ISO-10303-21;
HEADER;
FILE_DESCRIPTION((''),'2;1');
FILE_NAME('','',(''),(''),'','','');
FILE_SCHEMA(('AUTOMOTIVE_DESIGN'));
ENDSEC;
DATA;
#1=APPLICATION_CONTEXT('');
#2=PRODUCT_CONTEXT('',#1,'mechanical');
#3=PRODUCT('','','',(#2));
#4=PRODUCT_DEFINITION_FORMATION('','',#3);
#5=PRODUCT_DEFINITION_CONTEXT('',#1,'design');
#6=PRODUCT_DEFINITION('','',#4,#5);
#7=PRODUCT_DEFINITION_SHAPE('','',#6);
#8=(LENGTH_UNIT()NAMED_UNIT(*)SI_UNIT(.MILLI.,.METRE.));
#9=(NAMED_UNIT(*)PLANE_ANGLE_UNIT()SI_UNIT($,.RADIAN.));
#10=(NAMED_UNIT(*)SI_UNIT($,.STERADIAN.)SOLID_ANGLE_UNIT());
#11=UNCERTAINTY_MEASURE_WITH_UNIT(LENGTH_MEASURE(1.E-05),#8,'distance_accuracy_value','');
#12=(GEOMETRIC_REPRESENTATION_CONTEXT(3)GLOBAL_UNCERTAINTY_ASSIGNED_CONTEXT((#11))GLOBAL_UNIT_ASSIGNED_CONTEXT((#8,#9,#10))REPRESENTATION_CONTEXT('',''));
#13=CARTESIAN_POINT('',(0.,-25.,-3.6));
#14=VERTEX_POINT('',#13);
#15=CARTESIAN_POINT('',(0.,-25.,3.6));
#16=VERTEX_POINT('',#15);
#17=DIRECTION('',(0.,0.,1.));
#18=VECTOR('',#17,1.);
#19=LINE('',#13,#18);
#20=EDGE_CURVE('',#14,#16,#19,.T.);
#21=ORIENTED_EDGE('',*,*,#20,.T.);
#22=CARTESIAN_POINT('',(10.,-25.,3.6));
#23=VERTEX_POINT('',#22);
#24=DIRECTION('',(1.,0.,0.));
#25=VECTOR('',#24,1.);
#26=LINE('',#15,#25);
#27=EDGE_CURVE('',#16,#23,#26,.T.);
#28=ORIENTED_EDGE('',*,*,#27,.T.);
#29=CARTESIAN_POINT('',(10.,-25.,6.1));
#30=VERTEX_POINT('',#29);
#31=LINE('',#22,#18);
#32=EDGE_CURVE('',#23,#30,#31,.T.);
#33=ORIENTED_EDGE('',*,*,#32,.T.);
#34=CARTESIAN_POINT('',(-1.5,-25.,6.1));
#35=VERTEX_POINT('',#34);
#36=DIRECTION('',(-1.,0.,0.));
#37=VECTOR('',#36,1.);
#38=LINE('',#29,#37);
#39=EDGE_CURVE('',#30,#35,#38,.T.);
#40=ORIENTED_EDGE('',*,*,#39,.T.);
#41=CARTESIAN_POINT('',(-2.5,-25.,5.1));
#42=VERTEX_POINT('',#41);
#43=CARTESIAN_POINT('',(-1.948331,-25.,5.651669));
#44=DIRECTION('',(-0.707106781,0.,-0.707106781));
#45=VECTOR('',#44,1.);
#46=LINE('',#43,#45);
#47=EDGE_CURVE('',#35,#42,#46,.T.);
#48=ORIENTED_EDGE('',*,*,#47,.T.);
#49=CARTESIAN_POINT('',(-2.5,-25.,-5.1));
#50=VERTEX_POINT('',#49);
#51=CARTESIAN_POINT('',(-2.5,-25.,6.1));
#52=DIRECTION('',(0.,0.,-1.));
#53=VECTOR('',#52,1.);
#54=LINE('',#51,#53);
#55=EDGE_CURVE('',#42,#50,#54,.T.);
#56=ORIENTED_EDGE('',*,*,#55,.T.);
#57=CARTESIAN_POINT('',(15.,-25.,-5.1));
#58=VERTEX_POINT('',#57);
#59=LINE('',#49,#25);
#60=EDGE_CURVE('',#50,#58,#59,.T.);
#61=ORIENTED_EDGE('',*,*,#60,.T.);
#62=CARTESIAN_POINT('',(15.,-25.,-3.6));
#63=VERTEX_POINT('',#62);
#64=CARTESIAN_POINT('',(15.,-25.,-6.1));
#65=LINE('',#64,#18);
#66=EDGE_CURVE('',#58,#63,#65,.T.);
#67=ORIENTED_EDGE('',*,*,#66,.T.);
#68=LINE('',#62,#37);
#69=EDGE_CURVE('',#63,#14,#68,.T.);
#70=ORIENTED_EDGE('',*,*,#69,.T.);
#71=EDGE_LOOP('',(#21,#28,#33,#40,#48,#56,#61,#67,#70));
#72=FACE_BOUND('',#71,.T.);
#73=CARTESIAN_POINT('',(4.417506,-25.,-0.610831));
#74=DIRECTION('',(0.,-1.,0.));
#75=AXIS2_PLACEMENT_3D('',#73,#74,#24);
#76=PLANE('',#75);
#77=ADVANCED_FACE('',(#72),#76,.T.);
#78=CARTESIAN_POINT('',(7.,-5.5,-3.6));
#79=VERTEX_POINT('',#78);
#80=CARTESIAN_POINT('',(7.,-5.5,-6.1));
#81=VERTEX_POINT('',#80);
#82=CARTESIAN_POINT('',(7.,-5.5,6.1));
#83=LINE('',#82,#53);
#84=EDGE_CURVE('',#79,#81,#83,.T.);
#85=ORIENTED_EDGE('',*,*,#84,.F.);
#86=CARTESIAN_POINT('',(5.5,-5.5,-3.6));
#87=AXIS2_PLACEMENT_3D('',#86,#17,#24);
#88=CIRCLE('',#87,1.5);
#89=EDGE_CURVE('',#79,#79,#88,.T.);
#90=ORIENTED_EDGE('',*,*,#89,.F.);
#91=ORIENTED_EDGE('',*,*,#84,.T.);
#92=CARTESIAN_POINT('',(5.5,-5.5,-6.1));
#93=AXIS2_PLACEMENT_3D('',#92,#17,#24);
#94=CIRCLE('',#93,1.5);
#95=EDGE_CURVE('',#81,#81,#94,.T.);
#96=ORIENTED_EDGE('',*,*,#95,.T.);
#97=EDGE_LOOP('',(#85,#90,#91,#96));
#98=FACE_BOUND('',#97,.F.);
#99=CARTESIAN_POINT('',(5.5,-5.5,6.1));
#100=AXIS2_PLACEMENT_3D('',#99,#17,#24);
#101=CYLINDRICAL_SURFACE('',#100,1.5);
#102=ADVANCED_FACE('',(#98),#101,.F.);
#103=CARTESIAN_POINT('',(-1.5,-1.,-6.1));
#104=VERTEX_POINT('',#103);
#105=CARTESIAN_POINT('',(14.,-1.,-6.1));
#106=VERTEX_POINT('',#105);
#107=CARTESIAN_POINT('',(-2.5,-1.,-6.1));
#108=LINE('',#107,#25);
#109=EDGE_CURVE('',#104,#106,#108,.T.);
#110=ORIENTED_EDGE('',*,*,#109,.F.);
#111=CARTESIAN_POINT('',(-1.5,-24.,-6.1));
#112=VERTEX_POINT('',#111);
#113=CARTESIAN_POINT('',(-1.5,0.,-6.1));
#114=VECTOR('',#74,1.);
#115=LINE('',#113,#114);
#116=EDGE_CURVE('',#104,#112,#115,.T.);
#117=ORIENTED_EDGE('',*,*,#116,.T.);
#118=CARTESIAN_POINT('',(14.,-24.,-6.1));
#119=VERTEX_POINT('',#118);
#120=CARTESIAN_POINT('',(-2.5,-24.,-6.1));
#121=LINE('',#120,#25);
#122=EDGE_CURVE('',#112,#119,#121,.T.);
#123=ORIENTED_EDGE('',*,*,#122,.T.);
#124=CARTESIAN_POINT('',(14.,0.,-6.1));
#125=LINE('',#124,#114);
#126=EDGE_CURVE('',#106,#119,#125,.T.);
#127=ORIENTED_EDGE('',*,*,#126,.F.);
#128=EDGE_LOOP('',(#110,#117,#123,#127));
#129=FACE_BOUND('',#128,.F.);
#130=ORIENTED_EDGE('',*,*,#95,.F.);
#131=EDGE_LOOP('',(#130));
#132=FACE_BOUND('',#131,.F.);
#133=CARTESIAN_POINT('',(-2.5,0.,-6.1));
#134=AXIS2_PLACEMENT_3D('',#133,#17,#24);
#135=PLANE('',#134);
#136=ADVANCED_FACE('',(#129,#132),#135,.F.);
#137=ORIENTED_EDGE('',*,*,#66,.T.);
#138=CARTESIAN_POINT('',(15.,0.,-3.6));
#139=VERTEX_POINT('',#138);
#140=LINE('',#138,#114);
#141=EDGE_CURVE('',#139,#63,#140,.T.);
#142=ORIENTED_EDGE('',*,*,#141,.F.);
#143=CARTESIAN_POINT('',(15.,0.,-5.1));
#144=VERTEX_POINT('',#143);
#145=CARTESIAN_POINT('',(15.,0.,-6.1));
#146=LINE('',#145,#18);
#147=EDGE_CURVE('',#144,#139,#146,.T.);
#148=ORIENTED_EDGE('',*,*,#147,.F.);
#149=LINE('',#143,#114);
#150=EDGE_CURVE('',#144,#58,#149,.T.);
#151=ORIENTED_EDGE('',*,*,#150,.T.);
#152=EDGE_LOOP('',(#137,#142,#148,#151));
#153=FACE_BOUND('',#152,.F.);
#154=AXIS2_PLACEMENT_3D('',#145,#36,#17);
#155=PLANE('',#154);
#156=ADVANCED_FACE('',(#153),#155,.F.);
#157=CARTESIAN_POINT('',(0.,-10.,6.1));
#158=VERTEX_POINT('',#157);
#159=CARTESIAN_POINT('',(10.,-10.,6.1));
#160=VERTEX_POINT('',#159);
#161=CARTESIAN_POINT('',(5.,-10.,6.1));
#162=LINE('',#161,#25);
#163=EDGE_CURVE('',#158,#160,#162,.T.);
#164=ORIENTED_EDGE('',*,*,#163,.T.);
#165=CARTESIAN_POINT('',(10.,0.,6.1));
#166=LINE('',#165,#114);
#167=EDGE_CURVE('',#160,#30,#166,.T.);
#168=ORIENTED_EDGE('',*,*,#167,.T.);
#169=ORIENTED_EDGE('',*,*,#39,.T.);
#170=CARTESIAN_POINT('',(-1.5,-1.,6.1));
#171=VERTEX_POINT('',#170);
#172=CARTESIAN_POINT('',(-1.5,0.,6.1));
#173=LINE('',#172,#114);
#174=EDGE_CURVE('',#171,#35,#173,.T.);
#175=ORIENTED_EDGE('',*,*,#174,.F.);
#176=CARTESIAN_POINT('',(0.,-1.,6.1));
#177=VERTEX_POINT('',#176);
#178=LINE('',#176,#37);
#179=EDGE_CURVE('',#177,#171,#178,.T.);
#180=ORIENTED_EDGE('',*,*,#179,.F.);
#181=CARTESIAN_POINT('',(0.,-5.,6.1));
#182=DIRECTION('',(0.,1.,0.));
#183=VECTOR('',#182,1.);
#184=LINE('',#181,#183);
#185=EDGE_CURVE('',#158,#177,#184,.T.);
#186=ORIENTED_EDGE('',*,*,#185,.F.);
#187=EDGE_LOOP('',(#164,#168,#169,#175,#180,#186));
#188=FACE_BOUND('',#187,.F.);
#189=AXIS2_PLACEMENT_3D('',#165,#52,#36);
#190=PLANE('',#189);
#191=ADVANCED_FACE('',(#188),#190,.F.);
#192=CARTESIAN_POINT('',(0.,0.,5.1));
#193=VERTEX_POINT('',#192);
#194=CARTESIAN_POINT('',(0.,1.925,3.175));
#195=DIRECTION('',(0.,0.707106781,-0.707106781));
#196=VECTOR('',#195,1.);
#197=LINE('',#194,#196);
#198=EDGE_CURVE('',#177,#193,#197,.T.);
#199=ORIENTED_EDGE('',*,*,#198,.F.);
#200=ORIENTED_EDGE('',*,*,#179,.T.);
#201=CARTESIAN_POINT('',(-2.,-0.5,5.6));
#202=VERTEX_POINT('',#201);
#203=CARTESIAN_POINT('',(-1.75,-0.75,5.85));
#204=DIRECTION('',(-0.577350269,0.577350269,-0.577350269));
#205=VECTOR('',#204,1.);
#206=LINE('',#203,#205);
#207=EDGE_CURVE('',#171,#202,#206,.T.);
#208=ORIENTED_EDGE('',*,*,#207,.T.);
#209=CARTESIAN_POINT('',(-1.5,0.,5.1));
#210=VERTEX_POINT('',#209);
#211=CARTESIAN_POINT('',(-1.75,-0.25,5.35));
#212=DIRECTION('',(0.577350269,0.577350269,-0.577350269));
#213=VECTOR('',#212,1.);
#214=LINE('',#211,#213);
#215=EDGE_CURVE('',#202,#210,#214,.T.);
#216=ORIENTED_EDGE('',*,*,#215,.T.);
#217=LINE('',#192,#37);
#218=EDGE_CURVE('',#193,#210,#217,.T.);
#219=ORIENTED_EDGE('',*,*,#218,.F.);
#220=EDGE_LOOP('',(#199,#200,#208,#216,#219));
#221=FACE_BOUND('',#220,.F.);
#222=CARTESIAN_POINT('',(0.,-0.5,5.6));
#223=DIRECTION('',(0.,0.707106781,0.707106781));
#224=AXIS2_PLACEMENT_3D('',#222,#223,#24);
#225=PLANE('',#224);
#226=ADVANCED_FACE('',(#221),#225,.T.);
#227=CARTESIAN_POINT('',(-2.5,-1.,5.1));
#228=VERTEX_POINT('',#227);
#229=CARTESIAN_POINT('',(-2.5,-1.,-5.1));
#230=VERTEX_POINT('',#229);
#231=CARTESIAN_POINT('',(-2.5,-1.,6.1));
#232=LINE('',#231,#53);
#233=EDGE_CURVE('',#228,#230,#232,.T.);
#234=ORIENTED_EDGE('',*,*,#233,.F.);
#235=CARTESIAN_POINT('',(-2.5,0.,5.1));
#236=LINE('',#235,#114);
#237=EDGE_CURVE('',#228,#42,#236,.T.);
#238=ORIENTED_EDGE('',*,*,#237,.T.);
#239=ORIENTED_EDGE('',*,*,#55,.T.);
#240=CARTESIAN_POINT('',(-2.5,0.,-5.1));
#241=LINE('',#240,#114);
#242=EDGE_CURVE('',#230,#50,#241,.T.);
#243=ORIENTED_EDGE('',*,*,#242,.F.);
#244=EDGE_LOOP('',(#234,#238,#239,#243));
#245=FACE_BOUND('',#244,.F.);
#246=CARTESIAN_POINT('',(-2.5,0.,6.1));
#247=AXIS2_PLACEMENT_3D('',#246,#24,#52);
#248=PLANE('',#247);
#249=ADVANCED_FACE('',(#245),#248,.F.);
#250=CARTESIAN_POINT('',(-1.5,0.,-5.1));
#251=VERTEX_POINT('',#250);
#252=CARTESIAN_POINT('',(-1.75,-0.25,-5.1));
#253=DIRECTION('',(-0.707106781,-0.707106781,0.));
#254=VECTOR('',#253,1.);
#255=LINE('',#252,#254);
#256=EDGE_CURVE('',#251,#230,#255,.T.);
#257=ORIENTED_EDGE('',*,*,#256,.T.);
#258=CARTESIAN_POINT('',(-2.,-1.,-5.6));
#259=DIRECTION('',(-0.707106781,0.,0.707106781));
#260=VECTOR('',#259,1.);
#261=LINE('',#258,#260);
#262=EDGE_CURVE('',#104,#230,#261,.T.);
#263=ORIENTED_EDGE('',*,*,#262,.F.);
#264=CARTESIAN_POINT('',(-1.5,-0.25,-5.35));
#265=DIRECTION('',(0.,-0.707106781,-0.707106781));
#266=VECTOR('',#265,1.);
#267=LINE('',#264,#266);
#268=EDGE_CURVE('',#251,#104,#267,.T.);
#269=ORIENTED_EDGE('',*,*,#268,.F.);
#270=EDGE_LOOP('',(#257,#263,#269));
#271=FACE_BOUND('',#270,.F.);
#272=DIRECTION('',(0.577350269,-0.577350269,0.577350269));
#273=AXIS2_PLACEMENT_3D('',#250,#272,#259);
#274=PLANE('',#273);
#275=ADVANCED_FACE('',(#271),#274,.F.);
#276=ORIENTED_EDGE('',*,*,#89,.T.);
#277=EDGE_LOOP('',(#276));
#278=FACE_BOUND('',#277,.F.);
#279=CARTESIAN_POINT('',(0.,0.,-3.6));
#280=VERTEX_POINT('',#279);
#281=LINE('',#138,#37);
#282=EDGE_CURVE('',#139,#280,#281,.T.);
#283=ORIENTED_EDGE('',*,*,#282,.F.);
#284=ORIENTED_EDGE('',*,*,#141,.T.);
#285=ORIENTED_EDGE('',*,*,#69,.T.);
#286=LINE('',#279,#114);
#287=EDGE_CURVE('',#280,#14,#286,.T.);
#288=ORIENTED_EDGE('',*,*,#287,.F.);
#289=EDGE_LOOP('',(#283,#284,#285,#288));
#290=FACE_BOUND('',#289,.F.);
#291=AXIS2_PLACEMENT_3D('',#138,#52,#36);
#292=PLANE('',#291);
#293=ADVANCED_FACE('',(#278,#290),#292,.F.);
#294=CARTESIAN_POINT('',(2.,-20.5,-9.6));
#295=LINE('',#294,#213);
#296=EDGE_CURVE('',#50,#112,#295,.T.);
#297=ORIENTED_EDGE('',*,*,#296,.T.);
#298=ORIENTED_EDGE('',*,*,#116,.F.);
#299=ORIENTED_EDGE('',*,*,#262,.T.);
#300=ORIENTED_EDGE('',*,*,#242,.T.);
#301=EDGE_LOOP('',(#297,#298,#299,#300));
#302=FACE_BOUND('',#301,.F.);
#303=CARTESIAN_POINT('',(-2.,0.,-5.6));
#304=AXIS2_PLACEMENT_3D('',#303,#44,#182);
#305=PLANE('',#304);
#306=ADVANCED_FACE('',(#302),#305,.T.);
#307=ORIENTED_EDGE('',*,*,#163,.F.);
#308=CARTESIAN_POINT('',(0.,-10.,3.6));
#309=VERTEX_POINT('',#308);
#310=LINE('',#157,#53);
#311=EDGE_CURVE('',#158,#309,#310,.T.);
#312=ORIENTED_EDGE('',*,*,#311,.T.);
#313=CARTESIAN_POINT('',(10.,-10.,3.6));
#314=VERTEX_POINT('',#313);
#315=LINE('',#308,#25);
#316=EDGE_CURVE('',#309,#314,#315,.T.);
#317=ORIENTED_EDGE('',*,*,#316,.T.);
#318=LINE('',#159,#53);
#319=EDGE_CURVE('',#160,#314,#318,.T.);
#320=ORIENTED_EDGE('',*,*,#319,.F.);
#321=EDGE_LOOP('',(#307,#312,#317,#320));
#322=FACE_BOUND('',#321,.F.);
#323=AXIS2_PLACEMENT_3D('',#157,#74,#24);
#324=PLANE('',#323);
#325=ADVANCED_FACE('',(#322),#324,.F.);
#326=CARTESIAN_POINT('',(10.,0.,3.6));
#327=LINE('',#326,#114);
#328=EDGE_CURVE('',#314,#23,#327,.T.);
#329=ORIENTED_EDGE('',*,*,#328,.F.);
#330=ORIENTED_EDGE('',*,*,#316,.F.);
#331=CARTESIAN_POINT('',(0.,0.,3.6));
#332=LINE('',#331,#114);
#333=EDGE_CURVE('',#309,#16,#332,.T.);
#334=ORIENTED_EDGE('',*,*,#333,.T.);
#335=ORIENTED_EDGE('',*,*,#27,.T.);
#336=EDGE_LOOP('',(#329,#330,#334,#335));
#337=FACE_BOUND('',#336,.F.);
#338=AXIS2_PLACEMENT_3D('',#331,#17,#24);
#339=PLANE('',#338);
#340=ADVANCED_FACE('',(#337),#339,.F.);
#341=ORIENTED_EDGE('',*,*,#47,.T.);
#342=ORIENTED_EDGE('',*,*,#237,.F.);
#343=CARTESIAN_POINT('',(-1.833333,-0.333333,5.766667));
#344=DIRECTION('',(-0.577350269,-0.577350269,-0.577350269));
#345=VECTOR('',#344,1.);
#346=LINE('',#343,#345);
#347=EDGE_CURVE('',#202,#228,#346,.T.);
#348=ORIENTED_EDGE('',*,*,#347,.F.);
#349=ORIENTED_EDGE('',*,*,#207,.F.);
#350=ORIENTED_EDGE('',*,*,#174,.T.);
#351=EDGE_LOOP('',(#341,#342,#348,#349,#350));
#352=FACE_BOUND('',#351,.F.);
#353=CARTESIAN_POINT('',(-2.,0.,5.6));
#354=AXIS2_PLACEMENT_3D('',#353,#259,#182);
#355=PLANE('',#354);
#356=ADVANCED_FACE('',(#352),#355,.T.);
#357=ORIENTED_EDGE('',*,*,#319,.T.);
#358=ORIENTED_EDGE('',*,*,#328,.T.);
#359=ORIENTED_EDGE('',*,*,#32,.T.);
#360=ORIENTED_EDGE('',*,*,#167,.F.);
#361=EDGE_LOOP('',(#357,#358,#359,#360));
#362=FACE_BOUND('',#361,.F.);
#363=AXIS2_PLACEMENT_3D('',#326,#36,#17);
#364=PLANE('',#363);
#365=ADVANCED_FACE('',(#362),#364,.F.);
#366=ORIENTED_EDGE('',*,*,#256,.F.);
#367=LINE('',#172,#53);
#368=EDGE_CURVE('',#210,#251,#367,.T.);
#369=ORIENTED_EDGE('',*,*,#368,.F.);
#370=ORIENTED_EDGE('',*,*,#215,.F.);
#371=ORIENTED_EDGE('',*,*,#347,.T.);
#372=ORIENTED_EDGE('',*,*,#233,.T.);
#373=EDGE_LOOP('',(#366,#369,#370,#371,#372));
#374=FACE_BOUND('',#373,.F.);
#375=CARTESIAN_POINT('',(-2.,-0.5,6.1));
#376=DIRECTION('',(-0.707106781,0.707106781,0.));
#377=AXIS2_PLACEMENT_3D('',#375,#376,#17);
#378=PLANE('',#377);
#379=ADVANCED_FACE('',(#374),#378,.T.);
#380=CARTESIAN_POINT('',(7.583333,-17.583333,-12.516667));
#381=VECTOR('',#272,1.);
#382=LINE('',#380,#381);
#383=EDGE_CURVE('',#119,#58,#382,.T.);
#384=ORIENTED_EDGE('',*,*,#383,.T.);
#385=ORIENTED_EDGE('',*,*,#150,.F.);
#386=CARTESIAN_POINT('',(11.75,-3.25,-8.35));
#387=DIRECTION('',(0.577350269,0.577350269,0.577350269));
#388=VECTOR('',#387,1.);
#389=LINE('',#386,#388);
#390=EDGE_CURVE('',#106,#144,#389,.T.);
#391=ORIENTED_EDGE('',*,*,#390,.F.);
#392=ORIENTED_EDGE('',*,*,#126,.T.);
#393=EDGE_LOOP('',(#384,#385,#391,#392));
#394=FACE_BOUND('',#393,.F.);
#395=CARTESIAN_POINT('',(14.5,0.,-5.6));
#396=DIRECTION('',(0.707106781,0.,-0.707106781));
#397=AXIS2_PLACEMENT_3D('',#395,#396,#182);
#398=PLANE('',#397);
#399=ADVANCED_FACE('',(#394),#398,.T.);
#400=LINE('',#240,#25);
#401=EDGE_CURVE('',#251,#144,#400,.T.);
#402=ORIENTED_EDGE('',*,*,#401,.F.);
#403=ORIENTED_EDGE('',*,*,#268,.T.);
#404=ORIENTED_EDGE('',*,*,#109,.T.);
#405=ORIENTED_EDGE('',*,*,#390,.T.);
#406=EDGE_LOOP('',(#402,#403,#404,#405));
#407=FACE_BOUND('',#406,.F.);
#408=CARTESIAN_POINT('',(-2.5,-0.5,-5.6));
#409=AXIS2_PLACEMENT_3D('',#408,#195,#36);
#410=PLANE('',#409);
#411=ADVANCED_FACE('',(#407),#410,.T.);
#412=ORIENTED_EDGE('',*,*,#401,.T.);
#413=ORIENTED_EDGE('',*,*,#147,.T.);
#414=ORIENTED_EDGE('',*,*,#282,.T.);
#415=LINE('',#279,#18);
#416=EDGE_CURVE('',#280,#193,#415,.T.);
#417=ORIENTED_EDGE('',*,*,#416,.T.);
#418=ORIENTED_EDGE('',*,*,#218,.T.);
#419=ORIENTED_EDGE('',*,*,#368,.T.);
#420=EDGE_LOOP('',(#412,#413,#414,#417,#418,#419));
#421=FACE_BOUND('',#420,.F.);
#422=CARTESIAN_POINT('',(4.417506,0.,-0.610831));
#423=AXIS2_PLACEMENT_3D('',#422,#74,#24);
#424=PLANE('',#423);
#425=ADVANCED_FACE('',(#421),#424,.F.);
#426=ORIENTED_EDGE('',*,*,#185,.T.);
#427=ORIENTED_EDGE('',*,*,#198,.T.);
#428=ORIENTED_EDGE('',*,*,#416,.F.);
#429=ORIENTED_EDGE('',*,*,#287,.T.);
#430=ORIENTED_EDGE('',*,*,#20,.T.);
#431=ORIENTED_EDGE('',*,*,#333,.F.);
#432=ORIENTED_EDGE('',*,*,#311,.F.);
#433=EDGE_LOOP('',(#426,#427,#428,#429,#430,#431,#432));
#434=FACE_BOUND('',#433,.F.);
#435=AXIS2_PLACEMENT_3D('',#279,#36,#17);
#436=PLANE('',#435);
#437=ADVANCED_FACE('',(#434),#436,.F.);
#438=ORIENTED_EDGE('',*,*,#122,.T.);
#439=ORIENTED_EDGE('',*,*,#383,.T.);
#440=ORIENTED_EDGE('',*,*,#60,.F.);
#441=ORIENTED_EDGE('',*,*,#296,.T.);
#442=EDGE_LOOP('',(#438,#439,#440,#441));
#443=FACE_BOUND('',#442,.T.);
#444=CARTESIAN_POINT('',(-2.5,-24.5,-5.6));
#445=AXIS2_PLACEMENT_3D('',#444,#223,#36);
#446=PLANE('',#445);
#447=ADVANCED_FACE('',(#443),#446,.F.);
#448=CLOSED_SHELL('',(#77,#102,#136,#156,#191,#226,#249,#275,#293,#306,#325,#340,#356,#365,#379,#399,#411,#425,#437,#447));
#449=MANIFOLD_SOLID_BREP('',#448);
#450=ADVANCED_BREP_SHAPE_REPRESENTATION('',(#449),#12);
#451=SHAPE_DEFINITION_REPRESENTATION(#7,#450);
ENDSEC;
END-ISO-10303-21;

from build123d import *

# Parameters (mm, degrees)
F1_DEPTH = 25
F2_R     = 1.5
F3_DEPTH = 25
F4_W     = 10
F4_H     = 10
F4_R     = 1.5
F5_DEPTH = 5
F6_SIZE  = 1
F7_SIZE  = 1


with BuildPart() as f1:
    # F0 (on Front) → F1 (new body)
    with BuildSketch(Plane.XZ):
        Polygon((0, -3.6), (0, 3.6), (10, 3.6), (10, 6.1), (-2.5, 6.1), (-2.5, -6.1), (15, -6.1), (15, -3.6), align=None)
    extrude(amount=F1_DEPTH)

    # F2 (on face) → F3 (cut)
    with BuildSketch(Plane.XY.offset(6.1)):
        with Locations((5.5, -5.5)):
            Circle(F2_R)
    extrude(amount=-F3_DEPTH, mode=Mode.SUBTRACT)

    # F4 (on face) → F5 (cut)
    with BuildSketch(Plane.XY.offset(6.1)):
        with Locations((5, -5)):
            Rectangle(F4_W, F4_H)
        with Locations((5.5, -5.5)):
            Circle(F4_R, mode=Mode.SUBTRACT)
    extrude(amount=-F5_DEPTH, mode=Mode.SUBTRACT)

    # F6
    f6_edges = [f1.edges().sort_by_distance(p)[0] for p in [
        (-2.5, -12.5, 6.1),
        (-2.5, -12.5, -6.1),
        (15, -12.5, -6.1),
        (6.25, -25, -6.1),
        (6.25, 0, -6.1),
        (-2.5, 0, 0),
    ]]
    chamfer(f6_edges, length=F6_SIZE)

    # F7
    f7_edges = [f1.edges().sort_by_distance(p)[0] for p in [
        (-0.75, 0, 6.1),
    ]]
    chamfer(f7_edges, length=F7_SIZE)


solid = f1.part
